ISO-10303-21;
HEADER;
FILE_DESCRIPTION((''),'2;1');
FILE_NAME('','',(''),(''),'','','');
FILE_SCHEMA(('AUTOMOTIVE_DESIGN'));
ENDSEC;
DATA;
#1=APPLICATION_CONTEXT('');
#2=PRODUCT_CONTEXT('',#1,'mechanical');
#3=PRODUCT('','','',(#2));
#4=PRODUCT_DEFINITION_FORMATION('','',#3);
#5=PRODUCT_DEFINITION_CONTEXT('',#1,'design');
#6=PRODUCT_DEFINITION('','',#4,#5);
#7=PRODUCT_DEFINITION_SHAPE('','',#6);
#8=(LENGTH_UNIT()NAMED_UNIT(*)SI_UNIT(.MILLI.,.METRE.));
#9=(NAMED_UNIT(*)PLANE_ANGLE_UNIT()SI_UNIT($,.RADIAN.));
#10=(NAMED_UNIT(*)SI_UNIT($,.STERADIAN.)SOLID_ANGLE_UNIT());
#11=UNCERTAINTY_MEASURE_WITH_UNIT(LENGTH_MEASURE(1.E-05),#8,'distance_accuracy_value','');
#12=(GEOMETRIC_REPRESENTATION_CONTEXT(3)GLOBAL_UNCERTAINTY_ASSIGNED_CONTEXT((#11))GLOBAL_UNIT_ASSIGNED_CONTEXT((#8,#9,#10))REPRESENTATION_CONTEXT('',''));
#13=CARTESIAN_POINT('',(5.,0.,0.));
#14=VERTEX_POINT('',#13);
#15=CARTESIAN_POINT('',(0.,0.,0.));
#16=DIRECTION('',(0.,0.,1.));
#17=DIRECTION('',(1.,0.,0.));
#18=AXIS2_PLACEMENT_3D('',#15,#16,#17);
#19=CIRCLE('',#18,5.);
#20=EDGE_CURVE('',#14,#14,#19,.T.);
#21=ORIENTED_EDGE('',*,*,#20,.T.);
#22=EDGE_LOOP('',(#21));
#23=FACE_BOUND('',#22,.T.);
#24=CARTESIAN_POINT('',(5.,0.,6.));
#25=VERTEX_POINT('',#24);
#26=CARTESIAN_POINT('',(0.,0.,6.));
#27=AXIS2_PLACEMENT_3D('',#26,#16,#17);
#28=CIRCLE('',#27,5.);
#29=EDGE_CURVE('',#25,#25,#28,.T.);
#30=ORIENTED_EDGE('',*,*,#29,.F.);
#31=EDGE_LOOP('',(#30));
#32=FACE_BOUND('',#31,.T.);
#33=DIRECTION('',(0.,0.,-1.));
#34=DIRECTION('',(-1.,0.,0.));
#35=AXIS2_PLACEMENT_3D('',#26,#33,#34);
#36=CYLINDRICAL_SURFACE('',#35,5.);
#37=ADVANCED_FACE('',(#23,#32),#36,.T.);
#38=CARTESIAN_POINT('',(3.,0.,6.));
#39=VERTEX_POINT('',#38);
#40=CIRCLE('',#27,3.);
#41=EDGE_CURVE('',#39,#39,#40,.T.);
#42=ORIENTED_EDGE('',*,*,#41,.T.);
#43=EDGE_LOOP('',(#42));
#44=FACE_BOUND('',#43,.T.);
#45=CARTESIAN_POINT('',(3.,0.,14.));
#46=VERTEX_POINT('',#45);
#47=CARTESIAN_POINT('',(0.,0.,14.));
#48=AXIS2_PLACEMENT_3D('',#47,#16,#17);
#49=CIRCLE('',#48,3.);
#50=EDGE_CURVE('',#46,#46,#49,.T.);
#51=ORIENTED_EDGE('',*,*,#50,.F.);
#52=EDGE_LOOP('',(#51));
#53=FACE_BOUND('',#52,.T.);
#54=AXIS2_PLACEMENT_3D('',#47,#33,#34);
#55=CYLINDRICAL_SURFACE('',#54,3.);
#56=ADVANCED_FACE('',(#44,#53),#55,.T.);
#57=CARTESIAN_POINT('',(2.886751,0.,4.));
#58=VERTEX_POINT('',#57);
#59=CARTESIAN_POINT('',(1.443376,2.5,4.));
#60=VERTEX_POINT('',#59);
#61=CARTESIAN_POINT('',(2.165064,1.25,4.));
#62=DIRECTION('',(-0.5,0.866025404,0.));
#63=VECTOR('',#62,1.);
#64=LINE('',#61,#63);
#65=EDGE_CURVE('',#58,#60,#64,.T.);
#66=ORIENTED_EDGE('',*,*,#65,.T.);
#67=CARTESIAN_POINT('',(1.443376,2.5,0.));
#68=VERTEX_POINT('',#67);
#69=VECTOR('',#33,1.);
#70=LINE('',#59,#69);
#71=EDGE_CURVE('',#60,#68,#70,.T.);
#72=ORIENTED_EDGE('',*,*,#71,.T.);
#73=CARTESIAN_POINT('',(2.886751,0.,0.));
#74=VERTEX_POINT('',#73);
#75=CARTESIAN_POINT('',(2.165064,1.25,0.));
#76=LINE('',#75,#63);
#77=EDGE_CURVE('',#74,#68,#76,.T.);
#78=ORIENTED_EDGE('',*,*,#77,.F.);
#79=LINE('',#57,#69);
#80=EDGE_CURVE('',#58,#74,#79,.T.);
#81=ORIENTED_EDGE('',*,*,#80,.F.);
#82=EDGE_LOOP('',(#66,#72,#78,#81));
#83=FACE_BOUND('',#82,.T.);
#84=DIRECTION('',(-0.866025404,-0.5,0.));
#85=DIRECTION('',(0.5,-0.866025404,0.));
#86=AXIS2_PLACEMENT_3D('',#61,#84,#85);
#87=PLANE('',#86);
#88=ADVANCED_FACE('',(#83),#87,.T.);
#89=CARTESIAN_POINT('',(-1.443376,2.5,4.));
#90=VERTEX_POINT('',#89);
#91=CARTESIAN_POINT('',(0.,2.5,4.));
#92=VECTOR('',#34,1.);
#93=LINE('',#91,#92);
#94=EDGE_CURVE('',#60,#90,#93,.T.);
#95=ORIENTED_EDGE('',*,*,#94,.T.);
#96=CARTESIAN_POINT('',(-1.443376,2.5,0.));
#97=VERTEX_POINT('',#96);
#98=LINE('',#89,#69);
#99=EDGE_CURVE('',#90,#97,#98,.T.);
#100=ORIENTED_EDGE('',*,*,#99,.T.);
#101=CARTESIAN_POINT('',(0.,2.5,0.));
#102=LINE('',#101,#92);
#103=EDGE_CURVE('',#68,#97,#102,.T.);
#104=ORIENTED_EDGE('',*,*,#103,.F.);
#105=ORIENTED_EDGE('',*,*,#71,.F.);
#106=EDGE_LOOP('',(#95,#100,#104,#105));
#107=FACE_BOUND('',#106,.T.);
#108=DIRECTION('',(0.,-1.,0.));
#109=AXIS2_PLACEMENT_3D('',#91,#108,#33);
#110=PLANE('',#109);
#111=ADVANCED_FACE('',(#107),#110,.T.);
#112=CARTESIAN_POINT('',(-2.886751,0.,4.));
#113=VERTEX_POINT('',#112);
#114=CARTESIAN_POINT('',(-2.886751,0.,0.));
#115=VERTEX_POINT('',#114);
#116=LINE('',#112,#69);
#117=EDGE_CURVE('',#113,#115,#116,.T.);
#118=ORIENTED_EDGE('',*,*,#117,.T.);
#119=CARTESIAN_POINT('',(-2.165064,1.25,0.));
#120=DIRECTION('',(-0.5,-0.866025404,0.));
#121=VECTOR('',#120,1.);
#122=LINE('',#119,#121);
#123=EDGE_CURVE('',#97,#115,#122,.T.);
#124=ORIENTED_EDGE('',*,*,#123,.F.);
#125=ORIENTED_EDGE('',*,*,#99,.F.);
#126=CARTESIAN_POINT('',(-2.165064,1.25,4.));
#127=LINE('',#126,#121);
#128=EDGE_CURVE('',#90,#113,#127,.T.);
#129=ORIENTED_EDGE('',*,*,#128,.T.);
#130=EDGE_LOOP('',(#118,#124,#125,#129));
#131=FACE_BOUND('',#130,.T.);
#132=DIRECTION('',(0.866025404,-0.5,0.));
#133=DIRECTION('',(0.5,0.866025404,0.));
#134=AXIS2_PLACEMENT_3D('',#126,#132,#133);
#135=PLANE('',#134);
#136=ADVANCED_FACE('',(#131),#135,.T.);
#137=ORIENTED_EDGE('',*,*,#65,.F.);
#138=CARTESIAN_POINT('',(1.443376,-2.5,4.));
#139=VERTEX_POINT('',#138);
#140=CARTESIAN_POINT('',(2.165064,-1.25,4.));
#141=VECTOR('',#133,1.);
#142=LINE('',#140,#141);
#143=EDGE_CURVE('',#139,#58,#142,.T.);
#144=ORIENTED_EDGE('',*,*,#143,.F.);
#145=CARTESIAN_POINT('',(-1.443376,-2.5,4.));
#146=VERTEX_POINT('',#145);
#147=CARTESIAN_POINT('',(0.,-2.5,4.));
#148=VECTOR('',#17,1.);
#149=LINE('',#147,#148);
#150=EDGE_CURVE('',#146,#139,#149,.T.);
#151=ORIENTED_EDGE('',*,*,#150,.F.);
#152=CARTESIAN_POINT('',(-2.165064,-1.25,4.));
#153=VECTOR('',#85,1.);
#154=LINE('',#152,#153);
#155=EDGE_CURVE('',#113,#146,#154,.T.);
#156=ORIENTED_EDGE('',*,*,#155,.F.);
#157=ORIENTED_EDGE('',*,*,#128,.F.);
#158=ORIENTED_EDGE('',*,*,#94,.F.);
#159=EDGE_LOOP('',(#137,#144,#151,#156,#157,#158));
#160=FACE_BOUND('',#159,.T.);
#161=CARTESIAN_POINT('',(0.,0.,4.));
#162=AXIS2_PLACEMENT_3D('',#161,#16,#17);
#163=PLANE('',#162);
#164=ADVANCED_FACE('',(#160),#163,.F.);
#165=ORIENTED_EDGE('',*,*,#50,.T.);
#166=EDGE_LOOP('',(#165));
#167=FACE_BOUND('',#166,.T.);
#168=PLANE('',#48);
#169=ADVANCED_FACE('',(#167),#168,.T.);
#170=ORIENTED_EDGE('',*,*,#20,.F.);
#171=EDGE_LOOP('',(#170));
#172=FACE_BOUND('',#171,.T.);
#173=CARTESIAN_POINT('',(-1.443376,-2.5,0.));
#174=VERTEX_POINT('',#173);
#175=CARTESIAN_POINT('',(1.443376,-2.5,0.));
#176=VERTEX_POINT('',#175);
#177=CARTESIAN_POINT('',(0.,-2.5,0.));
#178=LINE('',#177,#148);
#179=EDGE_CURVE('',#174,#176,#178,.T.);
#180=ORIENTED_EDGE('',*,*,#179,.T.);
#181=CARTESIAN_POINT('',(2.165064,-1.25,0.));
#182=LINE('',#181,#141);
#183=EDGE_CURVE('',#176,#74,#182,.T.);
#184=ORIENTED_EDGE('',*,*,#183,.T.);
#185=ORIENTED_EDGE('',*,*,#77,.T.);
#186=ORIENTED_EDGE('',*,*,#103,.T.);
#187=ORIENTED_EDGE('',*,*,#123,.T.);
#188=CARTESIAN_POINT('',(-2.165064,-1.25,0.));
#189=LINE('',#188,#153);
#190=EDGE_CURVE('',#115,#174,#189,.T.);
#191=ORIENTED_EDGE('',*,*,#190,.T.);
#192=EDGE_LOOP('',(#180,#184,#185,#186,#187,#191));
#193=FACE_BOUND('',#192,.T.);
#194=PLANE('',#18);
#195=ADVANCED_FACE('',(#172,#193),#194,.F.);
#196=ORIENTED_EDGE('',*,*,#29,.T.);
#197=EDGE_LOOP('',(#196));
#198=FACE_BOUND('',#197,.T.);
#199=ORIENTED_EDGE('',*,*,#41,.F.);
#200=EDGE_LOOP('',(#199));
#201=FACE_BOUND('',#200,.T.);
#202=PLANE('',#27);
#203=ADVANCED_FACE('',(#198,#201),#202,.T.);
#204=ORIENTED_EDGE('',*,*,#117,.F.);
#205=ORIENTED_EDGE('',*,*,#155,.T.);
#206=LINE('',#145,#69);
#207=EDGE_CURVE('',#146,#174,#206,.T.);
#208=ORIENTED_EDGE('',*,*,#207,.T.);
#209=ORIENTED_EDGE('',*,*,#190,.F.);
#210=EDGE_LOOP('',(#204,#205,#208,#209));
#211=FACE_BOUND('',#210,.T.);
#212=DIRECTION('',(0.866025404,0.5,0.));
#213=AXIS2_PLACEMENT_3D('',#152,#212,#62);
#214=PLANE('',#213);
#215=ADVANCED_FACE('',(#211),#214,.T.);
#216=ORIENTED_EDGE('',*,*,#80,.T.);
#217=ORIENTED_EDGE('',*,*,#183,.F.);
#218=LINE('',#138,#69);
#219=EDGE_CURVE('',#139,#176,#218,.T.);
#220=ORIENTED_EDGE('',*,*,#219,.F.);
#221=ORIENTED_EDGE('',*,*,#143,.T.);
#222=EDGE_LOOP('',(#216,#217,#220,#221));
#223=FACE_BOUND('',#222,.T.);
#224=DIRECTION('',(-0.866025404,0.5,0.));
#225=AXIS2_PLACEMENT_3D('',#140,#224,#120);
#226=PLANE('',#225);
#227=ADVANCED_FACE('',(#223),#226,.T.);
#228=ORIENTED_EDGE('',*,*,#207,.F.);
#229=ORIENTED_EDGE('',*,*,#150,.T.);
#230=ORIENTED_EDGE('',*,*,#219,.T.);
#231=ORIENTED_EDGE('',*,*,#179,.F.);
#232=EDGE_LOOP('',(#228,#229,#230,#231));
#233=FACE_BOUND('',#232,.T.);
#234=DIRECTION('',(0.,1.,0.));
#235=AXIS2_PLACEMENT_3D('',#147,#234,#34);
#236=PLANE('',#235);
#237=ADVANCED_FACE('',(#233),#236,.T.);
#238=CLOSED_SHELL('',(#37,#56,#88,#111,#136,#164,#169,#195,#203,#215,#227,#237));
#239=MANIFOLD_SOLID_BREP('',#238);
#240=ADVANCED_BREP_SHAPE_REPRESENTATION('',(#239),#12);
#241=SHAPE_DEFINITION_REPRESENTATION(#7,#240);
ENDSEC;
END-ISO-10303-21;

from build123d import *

# Parameters (mm, degrees)
ESBO_O1_R                = 5
RESSALTO_EXTRUS_O1_DEPTH = 6
ESBO_O2_R                = 3
RESSALTO_EXTRUS_O2_DEPTH = 8
CORTE_EXTRUS_O1_DEPTH    = 4


with BuildPart() as part:
    # Esboço1 → Ressalto-extrusão1 (new body)
    with BuildSketch(Plane.XY):
        Circle(ESBO_O1_R)
    extrude(amount=RESSALTO_EXTRUS_O1_DEPTH)

    # Esboço2 → Ressalto-extrusão2 (add)
    with BuildSketch(Plane.XY.offset(6)):
        Circle(ESBO_O2_R)
    extrude(amount=RESSALTO_EXTRUS_O2_DEPTH)

    # Esboço1<4> → Corte-extrusão1 (cut)
    with BuildSketch(Plane.XY):
        Polygon((-1.443375673, 2.5), (-2.886751346, 0), (-1.443375673, -2.5), (1.443375673, -2.5), (2.886751346, 0), (1.443375673, 2.5), align=None)
    extrude(amount=CORTE_EXTRUS_O1_DEPTH, mode=Mode.SUBTRACT)


solid = part.part
